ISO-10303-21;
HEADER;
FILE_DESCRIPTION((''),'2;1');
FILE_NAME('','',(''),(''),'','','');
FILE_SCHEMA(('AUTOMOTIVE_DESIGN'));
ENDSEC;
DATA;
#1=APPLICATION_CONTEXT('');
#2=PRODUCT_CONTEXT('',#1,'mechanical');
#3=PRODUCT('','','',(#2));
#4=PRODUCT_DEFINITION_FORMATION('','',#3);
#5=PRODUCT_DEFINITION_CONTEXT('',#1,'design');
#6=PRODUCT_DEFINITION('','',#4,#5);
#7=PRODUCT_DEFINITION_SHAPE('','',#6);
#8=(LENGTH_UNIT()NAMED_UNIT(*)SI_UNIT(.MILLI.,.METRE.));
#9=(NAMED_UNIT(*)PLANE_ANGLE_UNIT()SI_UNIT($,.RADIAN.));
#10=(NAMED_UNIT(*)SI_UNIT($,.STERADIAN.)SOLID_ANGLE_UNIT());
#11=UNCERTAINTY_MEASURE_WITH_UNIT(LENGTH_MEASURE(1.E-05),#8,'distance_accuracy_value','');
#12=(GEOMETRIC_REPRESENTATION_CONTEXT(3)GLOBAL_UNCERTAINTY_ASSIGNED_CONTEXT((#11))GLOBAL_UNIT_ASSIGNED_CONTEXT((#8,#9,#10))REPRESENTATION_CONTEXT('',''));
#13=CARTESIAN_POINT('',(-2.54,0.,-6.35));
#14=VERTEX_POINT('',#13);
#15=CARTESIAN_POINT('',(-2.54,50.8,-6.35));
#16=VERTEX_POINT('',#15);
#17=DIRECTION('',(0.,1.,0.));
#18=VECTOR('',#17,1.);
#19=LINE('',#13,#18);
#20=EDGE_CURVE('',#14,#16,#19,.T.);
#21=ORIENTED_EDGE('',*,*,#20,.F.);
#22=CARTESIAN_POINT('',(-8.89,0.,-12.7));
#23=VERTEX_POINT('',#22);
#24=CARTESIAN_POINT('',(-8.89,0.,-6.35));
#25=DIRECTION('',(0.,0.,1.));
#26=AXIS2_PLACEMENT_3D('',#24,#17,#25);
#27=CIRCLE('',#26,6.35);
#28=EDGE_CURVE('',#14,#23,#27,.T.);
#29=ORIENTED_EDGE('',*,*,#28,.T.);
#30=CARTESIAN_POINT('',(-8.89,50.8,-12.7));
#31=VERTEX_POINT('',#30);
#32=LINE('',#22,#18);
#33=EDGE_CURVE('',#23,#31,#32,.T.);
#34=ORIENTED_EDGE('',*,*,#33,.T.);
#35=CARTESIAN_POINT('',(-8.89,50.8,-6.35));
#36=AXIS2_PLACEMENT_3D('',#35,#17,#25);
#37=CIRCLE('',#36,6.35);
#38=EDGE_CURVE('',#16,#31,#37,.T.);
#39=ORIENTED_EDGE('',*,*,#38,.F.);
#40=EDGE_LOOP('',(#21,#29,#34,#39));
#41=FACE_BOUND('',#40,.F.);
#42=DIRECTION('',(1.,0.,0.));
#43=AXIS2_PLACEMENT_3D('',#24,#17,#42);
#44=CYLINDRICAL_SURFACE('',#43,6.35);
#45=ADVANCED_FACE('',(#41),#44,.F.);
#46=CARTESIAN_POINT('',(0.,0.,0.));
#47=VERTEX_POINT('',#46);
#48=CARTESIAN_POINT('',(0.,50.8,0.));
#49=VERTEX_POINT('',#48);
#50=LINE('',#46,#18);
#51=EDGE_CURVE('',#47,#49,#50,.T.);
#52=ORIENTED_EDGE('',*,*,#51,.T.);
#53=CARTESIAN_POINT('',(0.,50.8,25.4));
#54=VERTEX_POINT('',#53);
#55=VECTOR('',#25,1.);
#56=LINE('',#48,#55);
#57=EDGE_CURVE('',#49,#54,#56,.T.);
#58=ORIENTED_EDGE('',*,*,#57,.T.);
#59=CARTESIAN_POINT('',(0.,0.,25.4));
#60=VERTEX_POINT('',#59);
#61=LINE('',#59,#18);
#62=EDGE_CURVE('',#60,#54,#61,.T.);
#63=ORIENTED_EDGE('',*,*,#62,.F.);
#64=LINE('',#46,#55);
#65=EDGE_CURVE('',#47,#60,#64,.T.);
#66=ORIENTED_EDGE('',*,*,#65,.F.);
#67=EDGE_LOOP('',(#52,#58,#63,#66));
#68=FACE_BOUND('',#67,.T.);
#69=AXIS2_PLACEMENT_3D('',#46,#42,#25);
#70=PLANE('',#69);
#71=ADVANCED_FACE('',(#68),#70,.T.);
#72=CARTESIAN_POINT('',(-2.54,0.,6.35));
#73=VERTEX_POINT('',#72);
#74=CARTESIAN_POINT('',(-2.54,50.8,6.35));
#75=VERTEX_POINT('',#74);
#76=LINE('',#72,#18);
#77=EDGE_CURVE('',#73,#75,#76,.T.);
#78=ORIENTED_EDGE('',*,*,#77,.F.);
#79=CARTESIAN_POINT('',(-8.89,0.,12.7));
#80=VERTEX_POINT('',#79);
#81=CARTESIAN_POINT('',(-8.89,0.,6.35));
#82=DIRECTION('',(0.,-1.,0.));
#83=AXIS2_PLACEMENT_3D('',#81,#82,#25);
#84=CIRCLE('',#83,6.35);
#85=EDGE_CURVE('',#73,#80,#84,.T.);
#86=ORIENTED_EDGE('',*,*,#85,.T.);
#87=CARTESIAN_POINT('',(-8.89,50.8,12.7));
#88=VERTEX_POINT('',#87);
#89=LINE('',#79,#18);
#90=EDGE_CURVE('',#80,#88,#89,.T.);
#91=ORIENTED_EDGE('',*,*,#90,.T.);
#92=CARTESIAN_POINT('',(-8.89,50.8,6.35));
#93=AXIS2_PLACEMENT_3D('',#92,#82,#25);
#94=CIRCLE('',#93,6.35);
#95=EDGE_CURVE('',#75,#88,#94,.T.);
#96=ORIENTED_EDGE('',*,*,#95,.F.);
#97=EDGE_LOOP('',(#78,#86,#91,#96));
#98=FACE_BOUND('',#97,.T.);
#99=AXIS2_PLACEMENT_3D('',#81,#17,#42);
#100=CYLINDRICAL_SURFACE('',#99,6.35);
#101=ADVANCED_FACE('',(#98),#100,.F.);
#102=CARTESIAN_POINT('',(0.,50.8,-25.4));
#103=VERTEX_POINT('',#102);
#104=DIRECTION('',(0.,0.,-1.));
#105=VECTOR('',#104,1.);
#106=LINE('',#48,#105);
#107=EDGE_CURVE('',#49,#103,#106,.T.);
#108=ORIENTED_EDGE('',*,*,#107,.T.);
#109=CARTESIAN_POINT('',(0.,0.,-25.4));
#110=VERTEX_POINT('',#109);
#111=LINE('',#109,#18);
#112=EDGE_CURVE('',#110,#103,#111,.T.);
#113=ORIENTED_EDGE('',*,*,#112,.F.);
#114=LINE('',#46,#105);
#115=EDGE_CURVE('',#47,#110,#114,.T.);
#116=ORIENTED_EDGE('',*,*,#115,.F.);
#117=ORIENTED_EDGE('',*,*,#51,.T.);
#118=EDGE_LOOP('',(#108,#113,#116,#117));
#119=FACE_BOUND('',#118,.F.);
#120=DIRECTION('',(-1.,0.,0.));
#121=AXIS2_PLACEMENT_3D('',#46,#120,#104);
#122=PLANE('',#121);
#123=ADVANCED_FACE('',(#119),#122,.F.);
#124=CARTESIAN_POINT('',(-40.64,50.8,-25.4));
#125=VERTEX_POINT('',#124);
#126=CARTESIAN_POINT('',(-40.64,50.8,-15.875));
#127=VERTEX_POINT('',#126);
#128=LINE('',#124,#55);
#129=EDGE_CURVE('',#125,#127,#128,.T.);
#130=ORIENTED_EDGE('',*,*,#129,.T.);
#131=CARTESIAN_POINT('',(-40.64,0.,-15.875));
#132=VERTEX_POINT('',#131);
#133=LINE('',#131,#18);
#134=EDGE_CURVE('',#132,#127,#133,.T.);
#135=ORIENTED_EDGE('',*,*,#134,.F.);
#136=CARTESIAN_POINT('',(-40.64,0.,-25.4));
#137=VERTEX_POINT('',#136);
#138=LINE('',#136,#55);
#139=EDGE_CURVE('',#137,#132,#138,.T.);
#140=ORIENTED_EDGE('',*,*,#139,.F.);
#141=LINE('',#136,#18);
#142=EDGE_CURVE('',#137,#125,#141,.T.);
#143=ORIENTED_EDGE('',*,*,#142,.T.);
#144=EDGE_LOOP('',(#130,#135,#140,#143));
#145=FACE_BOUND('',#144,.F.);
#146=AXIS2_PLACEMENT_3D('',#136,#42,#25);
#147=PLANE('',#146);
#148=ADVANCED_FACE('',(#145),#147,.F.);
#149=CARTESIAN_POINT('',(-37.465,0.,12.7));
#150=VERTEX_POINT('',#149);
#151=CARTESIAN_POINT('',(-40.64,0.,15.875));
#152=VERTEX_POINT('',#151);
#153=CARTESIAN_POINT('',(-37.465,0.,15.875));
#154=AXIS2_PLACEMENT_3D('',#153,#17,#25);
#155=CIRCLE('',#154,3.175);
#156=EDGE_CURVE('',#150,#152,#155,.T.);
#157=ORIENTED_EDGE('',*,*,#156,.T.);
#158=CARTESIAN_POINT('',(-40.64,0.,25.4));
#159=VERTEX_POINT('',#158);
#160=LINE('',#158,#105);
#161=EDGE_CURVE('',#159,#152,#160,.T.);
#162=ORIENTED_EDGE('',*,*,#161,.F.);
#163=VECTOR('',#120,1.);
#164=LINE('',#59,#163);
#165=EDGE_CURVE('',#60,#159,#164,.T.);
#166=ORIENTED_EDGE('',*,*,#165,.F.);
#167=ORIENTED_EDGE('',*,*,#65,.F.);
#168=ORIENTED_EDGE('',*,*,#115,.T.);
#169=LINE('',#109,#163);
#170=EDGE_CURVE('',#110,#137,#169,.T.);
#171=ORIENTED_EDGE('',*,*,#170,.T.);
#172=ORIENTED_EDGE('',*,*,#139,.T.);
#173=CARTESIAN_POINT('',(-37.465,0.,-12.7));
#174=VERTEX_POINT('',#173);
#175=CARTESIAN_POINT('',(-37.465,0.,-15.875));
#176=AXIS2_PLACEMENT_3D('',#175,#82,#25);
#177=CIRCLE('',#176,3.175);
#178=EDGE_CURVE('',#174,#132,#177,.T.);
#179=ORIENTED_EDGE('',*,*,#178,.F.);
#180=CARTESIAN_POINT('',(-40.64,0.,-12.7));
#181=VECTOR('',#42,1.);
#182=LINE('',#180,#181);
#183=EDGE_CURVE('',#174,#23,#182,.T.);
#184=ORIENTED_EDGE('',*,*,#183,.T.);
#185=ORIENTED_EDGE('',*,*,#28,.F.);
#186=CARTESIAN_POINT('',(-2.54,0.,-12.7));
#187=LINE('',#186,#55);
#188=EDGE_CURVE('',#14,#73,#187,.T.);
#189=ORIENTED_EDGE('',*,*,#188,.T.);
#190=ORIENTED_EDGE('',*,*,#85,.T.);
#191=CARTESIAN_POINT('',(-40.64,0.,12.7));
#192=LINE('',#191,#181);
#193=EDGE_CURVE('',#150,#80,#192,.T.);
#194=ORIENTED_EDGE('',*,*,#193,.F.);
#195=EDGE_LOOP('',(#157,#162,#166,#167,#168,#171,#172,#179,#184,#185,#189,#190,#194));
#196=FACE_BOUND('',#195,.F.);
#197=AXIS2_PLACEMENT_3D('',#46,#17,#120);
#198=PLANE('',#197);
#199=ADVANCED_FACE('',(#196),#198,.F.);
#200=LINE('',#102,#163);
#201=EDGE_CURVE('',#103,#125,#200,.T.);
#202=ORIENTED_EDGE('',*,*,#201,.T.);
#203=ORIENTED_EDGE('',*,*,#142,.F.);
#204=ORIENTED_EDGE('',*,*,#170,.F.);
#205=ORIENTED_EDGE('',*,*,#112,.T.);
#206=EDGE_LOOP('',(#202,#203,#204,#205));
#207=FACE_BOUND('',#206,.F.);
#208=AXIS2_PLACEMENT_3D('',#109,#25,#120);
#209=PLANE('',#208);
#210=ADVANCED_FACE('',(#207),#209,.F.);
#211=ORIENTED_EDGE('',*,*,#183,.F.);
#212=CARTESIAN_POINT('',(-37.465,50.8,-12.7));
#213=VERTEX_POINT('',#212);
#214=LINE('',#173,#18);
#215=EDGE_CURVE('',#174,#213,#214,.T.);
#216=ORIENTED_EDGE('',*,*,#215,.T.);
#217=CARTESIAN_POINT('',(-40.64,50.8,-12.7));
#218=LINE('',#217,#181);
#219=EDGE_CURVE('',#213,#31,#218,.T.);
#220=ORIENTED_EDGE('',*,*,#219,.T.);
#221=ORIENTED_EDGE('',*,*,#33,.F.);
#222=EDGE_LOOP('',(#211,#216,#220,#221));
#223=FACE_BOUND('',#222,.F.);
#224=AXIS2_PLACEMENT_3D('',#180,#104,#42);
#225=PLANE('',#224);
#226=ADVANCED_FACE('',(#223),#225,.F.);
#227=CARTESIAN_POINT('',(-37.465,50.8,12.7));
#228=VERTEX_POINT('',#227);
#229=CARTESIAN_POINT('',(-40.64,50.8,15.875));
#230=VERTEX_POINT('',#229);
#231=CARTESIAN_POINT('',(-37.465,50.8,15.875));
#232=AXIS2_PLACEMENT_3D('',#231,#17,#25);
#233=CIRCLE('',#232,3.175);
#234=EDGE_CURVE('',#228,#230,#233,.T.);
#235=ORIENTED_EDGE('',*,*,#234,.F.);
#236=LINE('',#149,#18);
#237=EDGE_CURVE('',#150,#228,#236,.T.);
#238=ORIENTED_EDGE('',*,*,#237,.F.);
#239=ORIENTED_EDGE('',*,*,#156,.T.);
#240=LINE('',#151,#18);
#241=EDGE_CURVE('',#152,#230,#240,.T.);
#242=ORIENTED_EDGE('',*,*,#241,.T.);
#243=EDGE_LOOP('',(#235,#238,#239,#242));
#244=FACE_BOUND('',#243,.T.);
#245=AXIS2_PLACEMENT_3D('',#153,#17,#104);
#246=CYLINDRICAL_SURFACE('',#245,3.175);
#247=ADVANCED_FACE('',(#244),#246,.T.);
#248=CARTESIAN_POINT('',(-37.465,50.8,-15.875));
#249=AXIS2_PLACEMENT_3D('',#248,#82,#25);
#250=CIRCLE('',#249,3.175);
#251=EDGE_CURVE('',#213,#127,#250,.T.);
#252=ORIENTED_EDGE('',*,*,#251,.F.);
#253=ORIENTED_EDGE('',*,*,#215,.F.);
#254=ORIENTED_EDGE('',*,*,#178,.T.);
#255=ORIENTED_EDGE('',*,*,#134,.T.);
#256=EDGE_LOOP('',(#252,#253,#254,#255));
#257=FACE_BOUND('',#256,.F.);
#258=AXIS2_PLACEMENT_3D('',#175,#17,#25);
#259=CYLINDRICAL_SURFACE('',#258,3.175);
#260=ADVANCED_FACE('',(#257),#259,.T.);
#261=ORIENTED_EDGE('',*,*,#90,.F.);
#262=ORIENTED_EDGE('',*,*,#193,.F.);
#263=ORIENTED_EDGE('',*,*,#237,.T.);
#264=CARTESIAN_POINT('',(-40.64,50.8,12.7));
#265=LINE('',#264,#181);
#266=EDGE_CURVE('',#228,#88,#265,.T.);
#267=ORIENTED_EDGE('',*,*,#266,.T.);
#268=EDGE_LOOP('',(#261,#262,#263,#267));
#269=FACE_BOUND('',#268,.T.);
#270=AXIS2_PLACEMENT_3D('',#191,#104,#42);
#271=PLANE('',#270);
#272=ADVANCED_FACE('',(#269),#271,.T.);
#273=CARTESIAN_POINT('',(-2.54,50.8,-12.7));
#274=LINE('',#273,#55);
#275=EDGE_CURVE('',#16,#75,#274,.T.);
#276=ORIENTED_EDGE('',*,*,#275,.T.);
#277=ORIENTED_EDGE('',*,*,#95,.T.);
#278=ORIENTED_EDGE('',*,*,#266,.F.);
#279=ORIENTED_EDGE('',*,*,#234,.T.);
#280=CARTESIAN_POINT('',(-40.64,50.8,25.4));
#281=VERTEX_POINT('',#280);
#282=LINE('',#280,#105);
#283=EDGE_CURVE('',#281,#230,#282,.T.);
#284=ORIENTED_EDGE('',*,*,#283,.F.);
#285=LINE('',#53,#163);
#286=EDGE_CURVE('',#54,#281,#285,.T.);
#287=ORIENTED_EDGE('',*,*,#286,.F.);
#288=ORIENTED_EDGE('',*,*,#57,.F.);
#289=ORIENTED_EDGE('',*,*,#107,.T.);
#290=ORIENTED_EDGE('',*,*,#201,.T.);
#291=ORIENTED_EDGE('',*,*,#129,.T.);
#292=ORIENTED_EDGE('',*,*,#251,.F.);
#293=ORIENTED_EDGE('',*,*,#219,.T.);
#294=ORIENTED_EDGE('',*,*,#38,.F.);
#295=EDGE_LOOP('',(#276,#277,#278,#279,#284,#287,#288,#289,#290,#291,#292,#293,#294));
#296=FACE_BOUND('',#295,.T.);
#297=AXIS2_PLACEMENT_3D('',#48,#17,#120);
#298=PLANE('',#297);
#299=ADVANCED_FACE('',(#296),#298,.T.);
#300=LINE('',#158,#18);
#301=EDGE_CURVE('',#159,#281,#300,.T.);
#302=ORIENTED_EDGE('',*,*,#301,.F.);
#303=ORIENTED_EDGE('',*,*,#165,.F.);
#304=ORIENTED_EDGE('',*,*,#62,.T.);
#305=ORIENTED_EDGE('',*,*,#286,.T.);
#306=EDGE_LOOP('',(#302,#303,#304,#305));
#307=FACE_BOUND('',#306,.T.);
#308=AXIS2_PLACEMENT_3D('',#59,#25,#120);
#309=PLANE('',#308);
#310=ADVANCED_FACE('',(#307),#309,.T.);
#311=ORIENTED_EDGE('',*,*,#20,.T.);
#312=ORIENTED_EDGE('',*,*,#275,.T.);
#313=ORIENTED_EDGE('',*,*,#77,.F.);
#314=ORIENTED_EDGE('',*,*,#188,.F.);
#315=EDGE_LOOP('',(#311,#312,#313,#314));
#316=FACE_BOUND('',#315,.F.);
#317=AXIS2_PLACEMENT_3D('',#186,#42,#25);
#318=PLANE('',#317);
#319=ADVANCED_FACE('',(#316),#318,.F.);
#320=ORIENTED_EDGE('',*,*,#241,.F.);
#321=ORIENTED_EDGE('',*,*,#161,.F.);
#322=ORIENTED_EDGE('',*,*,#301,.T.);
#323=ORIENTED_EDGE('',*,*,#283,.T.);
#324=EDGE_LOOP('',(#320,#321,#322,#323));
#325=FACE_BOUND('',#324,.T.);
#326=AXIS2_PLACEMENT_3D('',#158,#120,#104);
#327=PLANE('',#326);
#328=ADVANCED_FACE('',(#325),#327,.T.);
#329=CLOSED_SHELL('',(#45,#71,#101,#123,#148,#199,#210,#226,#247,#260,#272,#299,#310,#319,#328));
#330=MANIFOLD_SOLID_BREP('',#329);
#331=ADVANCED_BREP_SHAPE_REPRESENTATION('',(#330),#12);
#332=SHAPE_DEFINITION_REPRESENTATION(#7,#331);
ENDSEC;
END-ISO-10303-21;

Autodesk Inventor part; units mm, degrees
ref_plane "YZ Plane" through (0, 0, 0) normal (1, 0, 0) x (0, 1, 0)
ref_plane "XZ Plane" through (0, 0, 0) normal (0, 1, 0) x (-1, 0, 0)
ref_plane "XY Plane" through (0, 0, 0) normal (0, 0, 1) x (1, 0, 0)
sketch "Sketch1" plane through (0, 0, 0) normal (0, 1, 0) x (-1, 0, 0)
  line L0 (0, 0) -> (0, 25.4)
  line L1 (40.64, 25.4) -> (40.64, 12.7)
  line L2 (40.64, 12.7) -> (2.54, 12.7)
  line L3 (0, 25.4) -> (40.64, 25.4)
  line L4 (0, 0) -> (0, -25.4)
  line L5 (0, -25.4) -> (40.64, -25.4)
  line L6 (40.64, -25.4) -> (40.64, -12.7)
  line L7 (40.64, -12.7) -> (2.54, -12.7)
  line L8 (2.54, -12.7) -> (2.54, 12.7)
  dimension "d2" = 38.1
  dimension "d5" = 25.4
  dimension "d8" = 2.54
  dimension "d9" = 38.1
  dimension "d10" = 12.7
  dimension "d11" = 12.7
  dimension "d12" = 25.4
extrude "Extrusion1" add sketch "Sketch1" along normal blind 50.8
fillet "Fillet1" radius 6.35 1 edges at (-2.54, 25.4, -12.7)
fillet "Fillet2" radius 6.35 1 edges at (-2.54, 25.4, 12.7)
fillet "Fillet3" radius 3.175 1 edges at (-40.64, 25.4, -12.7)
fillet "Fillet4" radius 3.175 1 edges at (-40.64, 25.4, 12.7)
properties part number "Hook0"
